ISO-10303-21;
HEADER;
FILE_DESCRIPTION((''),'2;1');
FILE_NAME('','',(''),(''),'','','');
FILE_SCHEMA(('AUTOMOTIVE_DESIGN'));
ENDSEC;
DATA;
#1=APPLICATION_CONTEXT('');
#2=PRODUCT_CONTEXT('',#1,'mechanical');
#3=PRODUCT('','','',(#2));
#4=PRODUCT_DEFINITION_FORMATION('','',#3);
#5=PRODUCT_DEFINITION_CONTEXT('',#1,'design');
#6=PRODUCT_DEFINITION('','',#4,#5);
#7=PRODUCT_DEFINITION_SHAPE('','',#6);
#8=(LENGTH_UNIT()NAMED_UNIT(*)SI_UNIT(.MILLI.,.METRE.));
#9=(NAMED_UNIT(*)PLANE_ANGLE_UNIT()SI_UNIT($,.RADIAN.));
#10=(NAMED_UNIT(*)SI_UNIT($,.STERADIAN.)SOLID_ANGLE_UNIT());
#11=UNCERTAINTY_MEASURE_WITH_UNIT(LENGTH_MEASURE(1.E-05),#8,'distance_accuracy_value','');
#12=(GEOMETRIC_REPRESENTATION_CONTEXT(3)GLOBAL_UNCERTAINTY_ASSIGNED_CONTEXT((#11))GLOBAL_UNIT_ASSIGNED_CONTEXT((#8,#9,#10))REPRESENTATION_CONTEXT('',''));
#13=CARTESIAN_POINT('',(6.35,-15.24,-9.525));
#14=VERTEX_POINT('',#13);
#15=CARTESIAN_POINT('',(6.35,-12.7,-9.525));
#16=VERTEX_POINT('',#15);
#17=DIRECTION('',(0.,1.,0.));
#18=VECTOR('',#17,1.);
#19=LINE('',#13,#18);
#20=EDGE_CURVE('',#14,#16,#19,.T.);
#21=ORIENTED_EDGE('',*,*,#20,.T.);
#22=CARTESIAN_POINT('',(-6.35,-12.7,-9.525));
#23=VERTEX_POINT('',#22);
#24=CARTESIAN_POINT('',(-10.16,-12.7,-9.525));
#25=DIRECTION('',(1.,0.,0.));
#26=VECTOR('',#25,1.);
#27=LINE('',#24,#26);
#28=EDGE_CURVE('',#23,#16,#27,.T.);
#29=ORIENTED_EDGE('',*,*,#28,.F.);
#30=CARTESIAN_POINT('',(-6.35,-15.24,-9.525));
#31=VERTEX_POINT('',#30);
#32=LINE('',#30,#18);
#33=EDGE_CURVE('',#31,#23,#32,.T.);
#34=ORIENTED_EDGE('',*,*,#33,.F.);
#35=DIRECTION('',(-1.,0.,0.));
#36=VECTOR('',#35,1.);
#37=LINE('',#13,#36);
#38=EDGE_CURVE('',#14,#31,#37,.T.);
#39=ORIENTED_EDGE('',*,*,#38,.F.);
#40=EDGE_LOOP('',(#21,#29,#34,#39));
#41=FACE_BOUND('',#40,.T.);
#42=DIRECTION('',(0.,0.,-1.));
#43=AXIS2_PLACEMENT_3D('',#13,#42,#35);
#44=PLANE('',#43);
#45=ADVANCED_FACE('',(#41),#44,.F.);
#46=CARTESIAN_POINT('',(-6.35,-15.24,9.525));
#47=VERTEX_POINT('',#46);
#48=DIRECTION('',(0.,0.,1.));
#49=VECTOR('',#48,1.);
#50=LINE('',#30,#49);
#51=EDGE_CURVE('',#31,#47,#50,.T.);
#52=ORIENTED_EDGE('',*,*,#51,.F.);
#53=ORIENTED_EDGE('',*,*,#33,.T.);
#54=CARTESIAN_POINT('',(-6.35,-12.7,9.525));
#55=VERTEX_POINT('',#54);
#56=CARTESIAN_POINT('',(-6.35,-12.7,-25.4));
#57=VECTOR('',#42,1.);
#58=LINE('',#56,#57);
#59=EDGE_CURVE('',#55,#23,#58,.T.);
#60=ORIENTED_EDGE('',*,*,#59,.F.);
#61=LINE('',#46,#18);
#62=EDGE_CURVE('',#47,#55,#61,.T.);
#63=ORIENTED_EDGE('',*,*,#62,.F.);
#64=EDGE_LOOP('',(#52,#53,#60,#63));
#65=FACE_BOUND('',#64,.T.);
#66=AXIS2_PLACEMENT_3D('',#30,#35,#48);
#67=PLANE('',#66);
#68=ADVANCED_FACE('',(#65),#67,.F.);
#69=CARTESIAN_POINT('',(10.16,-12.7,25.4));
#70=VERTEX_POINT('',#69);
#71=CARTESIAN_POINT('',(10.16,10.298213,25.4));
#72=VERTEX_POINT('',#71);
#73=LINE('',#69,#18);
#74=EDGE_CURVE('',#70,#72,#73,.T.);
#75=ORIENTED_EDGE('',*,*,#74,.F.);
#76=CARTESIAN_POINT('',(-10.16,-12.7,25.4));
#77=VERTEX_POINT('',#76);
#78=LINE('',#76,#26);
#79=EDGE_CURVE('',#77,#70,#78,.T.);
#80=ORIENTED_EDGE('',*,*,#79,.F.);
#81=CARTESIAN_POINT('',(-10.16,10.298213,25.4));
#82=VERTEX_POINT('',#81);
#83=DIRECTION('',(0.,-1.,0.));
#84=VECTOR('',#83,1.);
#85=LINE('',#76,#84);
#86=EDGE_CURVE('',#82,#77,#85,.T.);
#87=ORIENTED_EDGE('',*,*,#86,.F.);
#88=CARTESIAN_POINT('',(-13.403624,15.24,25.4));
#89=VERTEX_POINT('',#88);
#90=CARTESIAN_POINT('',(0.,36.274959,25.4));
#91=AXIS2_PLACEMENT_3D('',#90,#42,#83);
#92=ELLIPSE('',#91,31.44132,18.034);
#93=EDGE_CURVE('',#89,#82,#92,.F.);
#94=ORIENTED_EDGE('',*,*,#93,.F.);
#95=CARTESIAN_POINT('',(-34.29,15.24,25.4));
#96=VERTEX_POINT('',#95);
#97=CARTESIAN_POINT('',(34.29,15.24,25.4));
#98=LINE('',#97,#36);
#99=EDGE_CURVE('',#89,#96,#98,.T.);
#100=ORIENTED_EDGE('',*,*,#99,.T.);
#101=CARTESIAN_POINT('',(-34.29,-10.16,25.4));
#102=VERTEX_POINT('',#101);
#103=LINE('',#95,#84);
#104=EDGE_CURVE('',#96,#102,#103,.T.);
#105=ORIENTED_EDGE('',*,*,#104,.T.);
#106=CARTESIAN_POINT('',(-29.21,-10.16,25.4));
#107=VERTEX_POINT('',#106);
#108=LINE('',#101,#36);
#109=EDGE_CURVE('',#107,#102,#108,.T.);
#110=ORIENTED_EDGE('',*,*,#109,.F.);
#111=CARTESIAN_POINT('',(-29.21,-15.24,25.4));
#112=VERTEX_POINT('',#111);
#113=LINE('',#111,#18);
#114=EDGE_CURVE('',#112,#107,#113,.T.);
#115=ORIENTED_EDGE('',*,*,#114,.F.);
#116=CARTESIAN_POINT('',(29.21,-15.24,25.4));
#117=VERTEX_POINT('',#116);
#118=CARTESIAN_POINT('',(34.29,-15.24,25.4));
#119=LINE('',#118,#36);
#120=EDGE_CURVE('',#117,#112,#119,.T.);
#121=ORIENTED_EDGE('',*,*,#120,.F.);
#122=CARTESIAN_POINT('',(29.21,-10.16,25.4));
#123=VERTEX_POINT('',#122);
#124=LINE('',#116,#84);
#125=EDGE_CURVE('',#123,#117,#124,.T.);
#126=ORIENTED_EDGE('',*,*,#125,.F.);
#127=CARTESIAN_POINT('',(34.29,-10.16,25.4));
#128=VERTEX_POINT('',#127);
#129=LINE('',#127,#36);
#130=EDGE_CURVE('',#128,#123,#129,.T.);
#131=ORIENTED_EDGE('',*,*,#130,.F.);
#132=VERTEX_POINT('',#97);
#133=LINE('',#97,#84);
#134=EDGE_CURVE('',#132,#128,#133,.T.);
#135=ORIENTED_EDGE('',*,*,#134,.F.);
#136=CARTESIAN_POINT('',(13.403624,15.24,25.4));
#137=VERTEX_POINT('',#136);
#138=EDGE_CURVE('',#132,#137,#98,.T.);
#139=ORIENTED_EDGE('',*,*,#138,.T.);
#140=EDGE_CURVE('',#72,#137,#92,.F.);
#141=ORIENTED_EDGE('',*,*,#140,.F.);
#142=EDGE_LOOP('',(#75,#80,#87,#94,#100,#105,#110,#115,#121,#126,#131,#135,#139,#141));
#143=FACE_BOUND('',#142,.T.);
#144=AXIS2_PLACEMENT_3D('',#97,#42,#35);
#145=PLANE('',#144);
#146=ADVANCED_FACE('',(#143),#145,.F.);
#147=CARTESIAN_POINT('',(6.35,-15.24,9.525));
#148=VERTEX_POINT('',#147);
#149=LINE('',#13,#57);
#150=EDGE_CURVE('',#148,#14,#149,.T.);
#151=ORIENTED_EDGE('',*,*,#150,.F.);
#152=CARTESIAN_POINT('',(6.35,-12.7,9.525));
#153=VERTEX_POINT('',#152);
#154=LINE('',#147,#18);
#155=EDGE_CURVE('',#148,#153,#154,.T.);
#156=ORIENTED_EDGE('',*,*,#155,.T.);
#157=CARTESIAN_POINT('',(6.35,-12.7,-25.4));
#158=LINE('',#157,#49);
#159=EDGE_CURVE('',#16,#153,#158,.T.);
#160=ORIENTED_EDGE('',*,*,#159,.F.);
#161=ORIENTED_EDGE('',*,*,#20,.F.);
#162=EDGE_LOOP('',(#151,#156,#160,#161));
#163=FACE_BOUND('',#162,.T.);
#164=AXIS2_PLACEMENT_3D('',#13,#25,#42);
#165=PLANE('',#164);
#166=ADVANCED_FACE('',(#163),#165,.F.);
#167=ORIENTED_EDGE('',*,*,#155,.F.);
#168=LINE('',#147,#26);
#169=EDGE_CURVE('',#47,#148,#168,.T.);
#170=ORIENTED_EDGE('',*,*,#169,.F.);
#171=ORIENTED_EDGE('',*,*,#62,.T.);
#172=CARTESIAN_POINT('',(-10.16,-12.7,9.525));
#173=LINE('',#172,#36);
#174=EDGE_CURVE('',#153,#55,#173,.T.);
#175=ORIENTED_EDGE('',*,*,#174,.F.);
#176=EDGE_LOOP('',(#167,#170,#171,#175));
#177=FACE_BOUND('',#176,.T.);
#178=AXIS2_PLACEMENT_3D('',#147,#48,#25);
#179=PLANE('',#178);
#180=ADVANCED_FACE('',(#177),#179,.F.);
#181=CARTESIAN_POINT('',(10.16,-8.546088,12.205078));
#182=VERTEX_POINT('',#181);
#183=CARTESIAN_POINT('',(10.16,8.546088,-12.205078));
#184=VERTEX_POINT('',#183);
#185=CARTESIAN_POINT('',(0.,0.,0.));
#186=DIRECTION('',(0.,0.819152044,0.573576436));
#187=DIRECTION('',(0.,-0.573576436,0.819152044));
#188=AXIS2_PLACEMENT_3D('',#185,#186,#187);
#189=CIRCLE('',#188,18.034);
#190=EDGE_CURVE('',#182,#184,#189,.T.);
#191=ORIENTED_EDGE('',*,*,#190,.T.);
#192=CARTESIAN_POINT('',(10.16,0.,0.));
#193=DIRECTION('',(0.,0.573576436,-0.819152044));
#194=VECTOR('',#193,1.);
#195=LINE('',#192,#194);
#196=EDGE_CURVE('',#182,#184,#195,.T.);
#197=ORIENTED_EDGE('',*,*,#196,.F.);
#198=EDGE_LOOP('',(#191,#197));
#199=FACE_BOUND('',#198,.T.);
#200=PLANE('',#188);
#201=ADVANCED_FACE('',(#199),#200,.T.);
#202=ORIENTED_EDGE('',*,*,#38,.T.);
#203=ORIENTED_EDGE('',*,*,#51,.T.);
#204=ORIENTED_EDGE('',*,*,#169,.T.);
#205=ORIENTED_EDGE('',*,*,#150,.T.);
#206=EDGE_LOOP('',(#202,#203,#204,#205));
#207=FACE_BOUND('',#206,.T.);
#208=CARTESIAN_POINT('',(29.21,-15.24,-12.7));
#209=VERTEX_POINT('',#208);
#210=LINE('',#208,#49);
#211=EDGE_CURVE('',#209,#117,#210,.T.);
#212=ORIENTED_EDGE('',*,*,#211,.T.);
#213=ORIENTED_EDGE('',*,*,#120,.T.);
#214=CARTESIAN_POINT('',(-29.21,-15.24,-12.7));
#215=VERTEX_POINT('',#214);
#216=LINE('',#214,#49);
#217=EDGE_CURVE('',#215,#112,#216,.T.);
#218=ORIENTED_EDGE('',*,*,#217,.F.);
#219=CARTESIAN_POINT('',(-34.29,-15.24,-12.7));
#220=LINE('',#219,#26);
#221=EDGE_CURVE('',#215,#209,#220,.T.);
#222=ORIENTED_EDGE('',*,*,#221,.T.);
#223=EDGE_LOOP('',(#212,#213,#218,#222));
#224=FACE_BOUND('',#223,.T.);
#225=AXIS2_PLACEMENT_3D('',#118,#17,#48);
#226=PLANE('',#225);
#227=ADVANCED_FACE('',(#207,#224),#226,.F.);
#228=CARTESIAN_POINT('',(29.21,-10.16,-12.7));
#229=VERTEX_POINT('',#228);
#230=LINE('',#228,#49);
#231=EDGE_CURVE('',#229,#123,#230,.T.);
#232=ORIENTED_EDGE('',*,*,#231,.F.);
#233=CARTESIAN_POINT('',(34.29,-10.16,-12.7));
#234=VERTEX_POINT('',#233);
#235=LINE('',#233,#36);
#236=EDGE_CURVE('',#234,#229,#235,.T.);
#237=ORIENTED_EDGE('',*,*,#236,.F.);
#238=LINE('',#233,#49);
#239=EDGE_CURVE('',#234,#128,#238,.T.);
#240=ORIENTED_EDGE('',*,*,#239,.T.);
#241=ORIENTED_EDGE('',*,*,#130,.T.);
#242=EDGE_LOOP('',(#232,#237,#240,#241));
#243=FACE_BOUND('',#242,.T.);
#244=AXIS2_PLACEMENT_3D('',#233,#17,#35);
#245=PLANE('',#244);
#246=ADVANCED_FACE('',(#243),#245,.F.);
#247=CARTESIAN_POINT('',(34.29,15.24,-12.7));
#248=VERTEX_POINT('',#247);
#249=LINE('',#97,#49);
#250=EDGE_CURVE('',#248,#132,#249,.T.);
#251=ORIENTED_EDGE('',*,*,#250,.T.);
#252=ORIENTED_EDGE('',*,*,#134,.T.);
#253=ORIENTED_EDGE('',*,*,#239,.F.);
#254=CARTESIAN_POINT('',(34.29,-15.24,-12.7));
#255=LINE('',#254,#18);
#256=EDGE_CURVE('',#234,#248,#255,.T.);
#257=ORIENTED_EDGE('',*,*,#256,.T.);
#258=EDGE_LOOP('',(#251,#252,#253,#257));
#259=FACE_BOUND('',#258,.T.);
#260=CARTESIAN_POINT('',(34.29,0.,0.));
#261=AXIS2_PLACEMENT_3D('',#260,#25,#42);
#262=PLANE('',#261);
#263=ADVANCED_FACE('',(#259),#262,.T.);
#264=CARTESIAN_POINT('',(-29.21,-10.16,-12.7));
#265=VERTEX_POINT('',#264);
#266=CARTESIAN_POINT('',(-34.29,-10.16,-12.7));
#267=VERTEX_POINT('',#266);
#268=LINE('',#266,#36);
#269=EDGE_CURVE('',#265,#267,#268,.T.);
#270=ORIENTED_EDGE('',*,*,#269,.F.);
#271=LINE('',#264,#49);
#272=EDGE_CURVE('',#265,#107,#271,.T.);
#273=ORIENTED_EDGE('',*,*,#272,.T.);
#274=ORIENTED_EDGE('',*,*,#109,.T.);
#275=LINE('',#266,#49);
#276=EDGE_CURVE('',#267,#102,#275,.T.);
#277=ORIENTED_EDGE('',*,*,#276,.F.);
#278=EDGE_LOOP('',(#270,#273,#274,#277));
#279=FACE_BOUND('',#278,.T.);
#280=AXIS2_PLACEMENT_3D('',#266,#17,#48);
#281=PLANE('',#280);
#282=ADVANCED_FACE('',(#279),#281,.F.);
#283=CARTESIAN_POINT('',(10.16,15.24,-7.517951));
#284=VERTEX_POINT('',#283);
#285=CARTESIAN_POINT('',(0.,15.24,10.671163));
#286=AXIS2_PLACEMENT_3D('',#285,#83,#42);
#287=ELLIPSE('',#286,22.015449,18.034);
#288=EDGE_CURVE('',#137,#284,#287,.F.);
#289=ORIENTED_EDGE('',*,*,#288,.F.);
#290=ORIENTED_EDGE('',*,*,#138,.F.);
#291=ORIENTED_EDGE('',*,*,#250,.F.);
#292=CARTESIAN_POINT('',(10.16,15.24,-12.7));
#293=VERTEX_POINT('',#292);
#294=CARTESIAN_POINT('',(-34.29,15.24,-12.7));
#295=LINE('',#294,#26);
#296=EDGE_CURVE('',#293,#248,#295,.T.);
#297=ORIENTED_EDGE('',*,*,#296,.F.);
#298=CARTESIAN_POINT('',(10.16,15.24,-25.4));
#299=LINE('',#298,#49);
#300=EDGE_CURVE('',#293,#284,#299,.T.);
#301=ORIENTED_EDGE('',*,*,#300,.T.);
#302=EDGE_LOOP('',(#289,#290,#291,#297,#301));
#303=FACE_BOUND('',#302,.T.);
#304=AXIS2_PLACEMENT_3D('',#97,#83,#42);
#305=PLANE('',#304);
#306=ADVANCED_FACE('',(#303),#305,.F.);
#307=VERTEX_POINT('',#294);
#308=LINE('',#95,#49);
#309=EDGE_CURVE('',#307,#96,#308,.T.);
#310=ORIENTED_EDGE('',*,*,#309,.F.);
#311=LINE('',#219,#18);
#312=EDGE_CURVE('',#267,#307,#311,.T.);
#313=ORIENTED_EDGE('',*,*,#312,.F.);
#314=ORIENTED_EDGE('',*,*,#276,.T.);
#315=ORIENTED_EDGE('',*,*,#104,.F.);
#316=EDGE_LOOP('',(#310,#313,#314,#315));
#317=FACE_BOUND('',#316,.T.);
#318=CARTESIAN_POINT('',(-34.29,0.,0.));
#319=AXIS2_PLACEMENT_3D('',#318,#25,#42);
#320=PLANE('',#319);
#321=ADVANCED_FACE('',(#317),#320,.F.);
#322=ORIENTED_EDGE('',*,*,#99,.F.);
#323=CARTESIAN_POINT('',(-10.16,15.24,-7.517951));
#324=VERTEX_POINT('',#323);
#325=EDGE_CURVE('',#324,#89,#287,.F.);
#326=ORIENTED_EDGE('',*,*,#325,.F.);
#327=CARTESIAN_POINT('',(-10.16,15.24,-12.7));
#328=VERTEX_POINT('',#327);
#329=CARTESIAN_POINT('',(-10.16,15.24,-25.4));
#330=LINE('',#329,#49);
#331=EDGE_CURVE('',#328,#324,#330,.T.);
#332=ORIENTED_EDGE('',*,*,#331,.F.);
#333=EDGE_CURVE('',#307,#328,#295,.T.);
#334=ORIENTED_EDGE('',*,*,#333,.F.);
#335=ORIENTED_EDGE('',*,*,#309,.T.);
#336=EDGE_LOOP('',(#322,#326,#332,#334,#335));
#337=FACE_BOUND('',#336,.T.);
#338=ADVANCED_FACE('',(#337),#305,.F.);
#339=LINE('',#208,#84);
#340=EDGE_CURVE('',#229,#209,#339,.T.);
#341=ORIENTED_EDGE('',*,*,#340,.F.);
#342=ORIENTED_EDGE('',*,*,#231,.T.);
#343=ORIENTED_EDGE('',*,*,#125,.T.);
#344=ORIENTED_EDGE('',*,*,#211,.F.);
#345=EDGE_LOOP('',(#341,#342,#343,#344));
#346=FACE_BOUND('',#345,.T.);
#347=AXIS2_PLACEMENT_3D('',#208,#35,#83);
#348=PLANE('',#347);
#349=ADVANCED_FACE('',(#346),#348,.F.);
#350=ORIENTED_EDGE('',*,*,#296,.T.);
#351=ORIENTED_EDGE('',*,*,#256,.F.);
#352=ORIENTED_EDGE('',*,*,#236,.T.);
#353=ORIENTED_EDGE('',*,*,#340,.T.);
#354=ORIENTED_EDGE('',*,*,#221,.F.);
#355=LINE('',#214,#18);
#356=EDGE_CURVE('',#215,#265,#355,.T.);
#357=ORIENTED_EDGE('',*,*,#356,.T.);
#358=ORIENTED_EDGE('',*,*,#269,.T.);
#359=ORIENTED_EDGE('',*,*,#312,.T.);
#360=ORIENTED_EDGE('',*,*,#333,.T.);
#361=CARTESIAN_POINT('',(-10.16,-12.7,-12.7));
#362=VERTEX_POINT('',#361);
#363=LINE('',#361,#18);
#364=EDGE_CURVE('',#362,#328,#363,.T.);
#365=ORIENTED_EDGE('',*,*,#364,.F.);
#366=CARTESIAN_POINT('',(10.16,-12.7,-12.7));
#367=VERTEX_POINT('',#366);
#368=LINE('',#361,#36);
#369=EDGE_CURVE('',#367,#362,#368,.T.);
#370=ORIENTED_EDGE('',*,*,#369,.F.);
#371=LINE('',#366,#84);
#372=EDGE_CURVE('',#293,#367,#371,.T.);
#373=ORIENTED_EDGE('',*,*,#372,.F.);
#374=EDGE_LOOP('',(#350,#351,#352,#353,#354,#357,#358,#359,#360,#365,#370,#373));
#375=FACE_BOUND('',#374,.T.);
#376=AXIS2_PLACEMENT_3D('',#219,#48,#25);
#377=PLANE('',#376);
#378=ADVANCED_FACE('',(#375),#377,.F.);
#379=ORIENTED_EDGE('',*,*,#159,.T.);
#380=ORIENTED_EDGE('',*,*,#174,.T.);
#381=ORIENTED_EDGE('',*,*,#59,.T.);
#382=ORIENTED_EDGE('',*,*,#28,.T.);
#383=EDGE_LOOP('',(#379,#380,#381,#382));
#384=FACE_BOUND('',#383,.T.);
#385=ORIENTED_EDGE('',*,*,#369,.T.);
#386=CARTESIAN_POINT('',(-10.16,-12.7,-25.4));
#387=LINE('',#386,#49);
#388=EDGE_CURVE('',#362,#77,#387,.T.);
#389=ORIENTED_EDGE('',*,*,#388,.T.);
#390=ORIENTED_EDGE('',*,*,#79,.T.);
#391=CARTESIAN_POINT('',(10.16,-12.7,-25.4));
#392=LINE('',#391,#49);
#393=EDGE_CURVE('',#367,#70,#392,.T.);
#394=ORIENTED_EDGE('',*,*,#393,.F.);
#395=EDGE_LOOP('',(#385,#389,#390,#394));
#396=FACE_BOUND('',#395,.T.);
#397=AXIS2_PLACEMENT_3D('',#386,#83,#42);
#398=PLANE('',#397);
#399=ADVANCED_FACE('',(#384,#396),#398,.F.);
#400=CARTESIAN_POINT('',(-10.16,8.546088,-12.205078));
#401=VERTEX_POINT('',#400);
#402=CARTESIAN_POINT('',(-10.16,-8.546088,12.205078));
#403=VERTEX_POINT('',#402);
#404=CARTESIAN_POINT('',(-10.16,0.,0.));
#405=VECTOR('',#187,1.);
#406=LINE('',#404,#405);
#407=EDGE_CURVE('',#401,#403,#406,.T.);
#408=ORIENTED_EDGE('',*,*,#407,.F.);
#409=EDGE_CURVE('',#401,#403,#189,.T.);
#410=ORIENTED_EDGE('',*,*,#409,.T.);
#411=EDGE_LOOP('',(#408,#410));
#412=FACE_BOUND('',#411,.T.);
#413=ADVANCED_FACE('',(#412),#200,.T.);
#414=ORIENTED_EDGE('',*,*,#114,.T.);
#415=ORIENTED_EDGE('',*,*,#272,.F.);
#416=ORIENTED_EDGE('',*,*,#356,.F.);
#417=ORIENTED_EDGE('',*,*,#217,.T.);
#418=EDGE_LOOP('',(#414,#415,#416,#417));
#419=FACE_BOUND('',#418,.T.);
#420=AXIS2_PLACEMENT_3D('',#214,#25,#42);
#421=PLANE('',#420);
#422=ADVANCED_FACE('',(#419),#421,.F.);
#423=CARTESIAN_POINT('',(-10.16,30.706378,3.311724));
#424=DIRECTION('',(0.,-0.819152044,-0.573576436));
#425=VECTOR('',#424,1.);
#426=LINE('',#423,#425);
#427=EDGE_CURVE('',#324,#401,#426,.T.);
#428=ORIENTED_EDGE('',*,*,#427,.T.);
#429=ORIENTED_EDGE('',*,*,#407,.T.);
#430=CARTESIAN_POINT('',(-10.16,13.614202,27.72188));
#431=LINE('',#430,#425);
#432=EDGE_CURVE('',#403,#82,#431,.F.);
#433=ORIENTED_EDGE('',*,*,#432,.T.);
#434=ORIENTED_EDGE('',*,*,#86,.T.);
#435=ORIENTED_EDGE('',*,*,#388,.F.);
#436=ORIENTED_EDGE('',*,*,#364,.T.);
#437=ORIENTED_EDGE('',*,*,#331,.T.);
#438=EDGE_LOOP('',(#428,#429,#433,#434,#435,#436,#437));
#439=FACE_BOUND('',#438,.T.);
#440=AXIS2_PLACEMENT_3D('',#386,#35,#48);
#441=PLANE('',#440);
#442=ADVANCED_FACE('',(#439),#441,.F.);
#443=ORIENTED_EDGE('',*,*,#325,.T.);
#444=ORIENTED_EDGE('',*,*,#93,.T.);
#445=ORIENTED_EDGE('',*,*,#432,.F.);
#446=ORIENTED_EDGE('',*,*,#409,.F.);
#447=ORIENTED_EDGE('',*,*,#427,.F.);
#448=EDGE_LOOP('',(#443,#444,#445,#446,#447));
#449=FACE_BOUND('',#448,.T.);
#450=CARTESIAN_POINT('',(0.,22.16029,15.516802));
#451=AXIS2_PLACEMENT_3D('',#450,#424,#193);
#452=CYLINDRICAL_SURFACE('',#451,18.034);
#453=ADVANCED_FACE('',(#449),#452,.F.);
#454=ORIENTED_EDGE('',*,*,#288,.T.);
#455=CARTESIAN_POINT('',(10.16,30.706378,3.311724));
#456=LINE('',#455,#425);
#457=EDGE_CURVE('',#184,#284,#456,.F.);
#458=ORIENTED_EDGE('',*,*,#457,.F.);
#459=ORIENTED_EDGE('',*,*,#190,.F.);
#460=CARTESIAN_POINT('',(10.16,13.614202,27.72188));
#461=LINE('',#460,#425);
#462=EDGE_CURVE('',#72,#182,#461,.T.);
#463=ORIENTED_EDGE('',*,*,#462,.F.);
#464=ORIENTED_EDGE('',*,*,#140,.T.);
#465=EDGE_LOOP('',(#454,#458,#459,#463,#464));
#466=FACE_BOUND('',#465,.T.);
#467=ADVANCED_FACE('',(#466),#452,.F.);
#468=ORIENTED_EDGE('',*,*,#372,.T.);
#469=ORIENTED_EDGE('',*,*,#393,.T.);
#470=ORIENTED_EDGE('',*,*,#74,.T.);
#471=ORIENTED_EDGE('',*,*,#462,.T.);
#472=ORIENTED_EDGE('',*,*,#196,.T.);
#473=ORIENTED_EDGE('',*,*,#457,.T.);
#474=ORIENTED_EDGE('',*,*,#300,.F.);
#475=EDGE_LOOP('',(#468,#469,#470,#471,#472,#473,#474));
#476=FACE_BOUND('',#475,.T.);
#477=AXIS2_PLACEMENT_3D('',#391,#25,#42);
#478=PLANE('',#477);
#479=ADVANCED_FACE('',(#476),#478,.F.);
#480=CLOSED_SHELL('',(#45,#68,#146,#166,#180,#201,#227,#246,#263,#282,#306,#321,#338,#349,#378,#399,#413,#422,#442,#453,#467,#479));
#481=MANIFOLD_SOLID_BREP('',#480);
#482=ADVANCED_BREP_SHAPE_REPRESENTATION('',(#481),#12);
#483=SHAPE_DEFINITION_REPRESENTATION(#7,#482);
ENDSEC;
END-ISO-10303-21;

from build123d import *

# Parameters (mm, degrees)
SKETCH1_W               = 50.8
SKETCH1_H               = 30.48
BOSS_EXTRUDE1_DEPTH     = 34.29
SKETCH2_R               = 18.034
CUT_EXTRUDE1_DEPTH      = 46.312489448
SKETCH3_W               = 20.32
SKETCH3_H               = 27.94
CUT_EXTRUDE2_DEPTH      = 64.156169137
SKETCH4_W               = 12.7
SKETCH4_H               = 19.05
CUT_EXTRUDE3_DEPTH      = 46.312489448
SKETCH7_W               = 68.58
SKETCH7_H               = 12.7
CUT_EXTRUDE5_DEPTH      = 53.440389968
CUT_EXTRUDE6_DEPTH      = 46.312489448
CUT_EXTRUDE6_DEPTH_BACK = 46.312489448
SKETCH9_W               = 5.08
SKETCH9_H               = 5.08


with BuildPart() as part:
    # Sketch1 → Boss-Extrude1 (new, symmetric)
    with BuildSketch(Plane(origin=(0, 0, 0), x_dir=(0, 0, -1), z_dir=(1, 0, 0))):
        Rectangle(SKETCH1_W, SKETCH1_H)
    extrude(amount=BOSS_EXTRUDE1_DEPTH, both=True)

    # Sketch2 → Cut-Extrude1 (cut, through all)
    with BuildSketch(Plane(origin=(0, 0, 0), x_dir=(1, 0, 0), z_dir=(0, 0.819152044288991, 0.5735764363510473))):
        Circle(SKETCH2_R)
    extrude(amount=CUT_EXTRUDE1_DEPTH, mode=Mode.SUBTRACT)

    # Sketch3 → Cut-Extrude2 (cut, through all)
    with BuildSketch(Plane.XY.offset(25.4)):
        with Locations((0, 1.27)):
            Rectangle(SKETCH3_W, SKETCH3_H)
    extrude(amount=-CUT_EXTRUDE2_DEPTH, mode=Mode.SUBTRACT)

    # Sketch4 → Cut-Extrude3 (cut, through all)
    with BuildSketch(Plane(origin=(0, 0, 0), x_dir=(1, 0, 0), z_dir=(0, 1, 0))):
        Rectangle(SKETCH4_W, SKETCH4_H)
    extrude(amount=-CUT_EXTRUDE3_DEPTH, mode=Mode.SUBTRACT)

    # Sketch7 → Cut-Extrude5 (cut, through all)
    with BuildSketch(Plane(origin=(0, 15.24, 0), x_dir=(1, 0, 0), z_dir=(0, 1, 0))):
        with Locations((0, 19.05)):
            Rectangle(SKETCH7_W, SKETCH7_H)
    extrude(amount=-CUT_EXTRUDE5_DEPTH, mode=Mode.SUBTRACT)

    # Sketch9 → Cut-Extrude6 (cut, two sides: drawn at the far end of the back side and taken through both)
    with BuildSketch(Plane.XY.offset(-CUT_EXTRUDE6_DEPTH_BACK)):
        with Locations((-31.75, -12.7)):
            Rectangle(SKETCH9_W, SKETCH9_H)
        with Locations((31.75, -12.7)):
            Rectangle(SKETCH9_W, SKETCH9_H)
    extrude(amount=CUT_EXTRUDE6_DEPTH + CUT_EXTRUDE6_DEPTH_BACK, mode=Mode.SUBTRACT)


solid = part.part
